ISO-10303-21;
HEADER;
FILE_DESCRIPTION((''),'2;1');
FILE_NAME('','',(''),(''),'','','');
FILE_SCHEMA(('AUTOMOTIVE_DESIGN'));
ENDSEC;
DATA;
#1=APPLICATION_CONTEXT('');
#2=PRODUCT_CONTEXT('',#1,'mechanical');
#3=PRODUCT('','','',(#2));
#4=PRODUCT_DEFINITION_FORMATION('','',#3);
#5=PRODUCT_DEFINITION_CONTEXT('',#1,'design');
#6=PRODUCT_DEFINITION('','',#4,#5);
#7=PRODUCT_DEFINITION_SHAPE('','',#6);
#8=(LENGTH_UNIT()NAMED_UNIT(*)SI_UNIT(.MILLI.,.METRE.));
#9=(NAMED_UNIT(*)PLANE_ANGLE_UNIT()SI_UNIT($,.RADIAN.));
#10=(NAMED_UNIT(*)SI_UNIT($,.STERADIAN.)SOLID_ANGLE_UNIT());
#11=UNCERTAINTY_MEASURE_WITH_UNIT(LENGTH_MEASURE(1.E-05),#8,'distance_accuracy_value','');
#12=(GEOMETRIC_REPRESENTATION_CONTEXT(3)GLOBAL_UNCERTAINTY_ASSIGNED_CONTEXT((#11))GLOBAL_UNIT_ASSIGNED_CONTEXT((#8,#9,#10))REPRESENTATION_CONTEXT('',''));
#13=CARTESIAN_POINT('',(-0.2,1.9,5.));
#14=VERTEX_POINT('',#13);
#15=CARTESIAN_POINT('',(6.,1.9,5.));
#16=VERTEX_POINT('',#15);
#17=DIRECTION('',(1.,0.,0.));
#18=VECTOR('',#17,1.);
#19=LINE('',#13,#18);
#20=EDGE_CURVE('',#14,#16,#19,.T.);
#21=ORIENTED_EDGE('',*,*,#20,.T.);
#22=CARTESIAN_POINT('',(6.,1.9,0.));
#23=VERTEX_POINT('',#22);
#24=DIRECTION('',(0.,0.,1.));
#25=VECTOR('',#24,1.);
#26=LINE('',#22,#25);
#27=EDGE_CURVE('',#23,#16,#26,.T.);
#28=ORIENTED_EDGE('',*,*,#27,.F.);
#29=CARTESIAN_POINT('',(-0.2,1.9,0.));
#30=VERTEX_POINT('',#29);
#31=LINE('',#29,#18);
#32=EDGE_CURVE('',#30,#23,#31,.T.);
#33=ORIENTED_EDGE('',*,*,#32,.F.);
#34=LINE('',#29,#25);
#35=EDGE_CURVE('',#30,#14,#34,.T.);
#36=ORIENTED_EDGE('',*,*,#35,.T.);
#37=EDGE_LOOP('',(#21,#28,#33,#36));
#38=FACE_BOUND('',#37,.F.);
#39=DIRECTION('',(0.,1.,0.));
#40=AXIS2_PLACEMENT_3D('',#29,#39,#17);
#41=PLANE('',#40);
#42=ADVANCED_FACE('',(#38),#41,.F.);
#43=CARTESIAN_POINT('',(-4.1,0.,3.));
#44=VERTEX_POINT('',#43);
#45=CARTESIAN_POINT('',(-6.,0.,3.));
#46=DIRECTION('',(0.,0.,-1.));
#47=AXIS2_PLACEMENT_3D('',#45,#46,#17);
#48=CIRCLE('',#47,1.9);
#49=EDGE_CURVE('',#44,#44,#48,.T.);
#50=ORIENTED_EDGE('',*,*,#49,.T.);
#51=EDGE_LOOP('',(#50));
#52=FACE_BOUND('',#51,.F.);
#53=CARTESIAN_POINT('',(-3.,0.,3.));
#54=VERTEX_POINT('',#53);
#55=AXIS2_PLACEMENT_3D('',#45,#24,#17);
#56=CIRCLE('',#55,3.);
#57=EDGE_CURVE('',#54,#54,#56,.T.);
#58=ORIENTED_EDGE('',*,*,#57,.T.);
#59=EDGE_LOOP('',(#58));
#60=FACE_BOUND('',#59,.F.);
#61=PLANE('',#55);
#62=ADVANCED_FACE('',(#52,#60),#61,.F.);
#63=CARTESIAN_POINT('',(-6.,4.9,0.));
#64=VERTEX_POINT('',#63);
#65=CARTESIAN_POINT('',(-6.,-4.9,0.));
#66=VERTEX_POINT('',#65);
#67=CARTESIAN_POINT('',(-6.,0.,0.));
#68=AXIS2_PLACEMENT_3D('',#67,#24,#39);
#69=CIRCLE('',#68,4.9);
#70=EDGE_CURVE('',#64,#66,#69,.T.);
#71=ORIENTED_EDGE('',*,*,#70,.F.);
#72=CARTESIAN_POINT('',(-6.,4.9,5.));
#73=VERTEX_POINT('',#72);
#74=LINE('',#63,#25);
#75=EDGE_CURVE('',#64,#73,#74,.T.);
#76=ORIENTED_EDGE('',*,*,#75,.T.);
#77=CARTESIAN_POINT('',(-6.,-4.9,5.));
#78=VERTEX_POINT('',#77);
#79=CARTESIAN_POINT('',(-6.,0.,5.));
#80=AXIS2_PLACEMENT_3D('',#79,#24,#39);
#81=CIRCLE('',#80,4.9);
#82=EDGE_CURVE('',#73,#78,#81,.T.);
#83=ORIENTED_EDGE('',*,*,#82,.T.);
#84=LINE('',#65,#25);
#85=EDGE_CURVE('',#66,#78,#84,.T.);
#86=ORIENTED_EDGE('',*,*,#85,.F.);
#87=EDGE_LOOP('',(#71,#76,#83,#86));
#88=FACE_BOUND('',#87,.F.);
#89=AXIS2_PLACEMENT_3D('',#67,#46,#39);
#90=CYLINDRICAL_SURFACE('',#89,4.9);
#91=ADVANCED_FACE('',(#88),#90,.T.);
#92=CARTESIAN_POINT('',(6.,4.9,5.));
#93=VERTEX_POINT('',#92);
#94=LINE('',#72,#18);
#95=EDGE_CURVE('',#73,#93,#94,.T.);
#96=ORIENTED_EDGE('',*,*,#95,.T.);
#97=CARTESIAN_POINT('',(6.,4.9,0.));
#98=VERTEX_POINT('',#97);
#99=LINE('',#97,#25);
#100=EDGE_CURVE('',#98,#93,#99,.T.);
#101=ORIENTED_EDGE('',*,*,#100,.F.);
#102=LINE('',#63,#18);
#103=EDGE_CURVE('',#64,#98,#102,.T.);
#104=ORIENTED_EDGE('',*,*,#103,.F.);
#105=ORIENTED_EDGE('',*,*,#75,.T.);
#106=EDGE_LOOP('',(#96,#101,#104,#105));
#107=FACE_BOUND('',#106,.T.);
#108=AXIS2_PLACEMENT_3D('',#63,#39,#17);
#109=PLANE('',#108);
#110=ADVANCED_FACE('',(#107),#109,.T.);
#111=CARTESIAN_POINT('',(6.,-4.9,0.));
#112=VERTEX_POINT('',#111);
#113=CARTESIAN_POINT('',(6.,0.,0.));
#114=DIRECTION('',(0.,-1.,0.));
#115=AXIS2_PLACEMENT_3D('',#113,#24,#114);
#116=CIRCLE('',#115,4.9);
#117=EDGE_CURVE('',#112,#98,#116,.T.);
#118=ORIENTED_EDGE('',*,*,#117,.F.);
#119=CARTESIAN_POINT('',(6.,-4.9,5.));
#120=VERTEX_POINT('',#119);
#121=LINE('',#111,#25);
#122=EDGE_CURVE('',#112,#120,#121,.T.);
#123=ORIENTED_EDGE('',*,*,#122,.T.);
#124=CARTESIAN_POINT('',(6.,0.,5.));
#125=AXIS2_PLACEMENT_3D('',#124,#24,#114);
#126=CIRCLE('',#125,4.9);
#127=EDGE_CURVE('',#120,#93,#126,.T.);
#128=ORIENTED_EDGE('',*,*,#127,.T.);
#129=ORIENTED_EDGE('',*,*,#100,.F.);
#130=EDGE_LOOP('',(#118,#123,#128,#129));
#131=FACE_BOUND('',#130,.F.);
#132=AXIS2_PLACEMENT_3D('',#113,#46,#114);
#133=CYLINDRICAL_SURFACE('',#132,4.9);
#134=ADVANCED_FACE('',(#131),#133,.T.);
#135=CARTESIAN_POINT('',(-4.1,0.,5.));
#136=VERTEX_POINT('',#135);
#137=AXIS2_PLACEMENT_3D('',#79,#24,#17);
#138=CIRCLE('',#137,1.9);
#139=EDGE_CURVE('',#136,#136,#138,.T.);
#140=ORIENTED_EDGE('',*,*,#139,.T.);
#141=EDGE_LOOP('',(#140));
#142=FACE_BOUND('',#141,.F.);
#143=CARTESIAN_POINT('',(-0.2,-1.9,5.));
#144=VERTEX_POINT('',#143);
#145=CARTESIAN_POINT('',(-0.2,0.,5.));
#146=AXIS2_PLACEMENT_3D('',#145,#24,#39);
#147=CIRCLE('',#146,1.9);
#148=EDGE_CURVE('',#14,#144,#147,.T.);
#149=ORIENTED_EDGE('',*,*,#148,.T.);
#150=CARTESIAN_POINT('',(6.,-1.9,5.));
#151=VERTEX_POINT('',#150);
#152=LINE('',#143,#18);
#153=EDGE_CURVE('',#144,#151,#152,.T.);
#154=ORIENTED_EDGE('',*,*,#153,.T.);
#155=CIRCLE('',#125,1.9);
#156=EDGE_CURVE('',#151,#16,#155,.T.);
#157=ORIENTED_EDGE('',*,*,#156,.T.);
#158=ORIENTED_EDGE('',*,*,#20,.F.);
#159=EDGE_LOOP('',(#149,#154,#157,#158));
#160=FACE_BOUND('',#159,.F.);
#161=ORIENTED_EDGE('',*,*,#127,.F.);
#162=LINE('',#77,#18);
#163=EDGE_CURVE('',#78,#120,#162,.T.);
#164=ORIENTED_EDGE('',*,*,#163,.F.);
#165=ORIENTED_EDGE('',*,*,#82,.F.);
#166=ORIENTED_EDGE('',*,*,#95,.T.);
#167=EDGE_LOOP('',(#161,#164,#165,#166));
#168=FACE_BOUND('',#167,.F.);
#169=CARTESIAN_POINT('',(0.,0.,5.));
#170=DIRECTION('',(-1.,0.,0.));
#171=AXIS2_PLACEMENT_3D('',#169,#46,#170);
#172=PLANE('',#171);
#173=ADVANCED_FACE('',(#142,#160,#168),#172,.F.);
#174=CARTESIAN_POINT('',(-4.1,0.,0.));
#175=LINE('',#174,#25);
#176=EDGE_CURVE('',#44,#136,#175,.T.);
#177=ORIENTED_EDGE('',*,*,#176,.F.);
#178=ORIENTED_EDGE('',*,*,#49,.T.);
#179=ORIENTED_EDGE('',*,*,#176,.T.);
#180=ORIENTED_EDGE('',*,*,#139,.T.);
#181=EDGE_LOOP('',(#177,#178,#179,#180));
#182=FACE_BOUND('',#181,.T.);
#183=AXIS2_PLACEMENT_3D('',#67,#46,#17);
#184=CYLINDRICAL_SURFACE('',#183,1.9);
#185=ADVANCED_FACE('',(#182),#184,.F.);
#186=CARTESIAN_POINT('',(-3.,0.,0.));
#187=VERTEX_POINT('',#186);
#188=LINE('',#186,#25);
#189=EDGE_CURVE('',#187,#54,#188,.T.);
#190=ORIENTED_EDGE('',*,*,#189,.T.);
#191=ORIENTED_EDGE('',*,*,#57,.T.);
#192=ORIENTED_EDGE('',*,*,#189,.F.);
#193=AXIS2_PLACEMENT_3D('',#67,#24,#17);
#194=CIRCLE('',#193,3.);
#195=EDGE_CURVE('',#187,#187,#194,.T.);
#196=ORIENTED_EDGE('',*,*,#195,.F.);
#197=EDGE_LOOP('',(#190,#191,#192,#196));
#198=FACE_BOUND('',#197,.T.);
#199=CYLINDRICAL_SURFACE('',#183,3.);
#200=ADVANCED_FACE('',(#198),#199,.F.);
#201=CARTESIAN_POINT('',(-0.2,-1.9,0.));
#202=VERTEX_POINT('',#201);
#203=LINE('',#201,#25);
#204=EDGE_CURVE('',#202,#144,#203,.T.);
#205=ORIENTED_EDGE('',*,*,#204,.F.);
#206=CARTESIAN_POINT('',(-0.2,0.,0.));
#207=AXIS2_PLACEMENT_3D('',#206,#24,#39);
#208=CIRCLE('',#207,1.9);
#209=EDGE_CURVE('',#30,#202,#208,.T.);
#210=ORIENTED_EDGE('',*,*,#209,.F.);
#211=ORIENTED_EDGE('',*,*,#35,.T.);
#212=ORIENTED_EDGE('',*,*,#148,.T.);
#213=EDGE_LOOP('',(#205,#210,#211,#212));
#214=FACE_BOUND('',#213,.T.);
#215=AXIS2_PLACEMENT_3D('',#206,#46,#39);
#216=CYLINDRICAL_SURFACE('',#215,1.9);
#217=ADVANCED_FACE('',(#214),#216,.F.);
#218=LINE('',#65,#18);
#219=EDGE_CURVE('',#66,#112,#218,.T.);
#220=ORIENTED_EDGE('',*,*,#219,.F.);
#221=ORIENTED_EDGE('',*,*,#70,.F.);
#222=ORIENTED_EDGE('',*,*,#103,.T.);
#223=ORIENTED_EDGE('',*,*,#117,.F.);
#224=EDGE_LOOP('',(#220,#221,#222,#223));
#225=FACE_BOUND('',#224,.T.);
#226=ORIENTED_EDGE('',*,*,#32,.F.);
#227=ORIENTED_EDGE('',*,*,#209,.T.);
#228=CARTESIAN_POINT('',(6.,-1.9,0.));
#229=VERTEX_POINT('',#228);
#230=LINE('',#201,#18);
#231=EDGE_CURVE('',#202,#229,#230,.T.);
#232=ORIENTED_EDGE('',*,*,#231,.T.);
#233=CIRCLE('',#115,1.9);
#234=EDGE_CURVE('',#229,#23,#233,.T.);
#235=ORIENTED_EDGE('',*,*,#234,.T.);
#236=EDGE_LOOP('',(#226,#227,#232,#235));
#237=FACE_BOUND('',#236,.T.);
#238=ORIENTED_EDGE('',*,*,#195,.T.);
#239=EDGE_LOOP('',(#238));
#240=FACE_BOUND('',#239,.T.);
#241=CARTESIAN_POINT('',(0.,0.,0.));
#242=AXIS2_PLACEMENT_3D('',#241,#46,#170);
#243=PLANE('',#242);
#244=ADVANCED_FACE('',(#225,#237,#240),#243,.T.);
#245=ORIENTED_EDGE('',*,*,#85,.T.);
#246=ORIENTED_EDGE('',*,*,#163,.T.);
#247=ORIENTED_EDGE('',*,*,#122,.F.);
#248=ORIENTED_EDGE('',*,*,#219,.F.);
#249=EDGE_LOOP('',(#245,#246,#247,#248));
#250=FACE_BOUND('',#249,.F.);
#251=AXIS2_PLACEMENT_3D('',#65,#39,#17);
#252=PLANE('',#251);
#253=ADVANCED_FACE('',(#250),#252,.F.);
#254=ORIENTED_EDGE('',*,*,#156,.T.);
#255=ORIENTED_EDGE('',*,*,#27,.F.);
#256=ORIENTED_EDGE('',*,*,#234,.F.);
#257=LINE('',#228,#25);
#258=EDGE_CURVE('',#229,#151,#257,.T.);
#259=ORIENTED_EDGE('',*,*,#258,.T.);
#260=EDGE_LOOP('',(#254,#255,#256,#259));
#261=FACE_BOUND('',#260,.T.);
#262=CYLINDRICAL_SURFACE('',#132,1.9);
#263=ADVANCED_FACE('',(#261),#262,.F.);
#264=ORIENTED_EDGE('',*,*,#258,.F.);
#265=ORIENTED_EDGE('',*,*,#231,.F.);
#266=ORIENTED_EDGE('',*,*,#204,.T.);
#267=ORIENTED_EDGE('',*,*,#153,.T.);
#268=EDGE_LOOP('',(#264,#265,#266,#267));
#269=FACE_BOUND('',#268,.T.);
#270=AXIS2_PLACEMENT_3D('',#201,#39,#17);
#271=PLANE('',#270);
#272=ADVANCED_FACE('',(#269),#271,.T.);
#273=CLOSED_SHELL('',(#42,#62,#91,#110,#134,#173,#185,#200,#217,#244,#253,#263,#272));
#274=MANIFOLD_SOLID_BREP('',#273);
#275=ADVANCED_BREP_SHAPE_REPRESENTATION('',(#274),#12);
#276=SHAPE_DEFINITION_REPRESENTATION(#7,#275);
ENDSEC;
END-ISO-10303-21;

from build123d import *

# Parameters (mm, degrees)
CYLINDER_R     = 3
CYLINDER_DEPTH = 3
SKETCH_R       = 1.9
PAD_DEPTH      = 5


with BuildPart() as cylinder:
    # Cylinder → Cylinder (new body)
    with BuildSketch(Plane(origin=(-6, 0, 0), x_dir=(1, 0, 0), z_dir=(0, 0, 1))):
        Circle(CYLINDER_R)
    extrude(amount=CYLINDER_DEPTH)


with BuildPart() as attach_cut:
    # Sketch → Pad (new body)
    with BuildSketch(Plane.XY):
        with BuildLine():
            Line((-6, 4.9), (6, 4.9))
            ThreePointArc((6, -4.9), (10.9, 0), (6, 4.9))
            Line((-6, -4.9), (6, -4.9))
            ThreePointArc((-6, 4.9), (-10.9, 0), (-6, -4.9))
        make_face()
        with Locations((-6, 0)):
            Circle(SKETCH_R, mode=Mode.SUBTRACT)
        with BuildLine():
            Line((-0.2, 1.9), (6, 1.9))
            ThreePointArc((6, -1.9), (7.9, 0), (6, 1.9))
            Line((-0.2, -1.9), (6, -1.9))
            ThreePointArc((-0.2, 1.9), (-2.1, 0), (-0.2, -1.9))
        make_face(mode=Mode.SUBTRACT)
    extrude(amount=PAD_DEPTH)

    # Cut: cut Cylinder
    add(cylinder.part, mode=Mode.SUBTRACT)


solid = attach_cut.part
